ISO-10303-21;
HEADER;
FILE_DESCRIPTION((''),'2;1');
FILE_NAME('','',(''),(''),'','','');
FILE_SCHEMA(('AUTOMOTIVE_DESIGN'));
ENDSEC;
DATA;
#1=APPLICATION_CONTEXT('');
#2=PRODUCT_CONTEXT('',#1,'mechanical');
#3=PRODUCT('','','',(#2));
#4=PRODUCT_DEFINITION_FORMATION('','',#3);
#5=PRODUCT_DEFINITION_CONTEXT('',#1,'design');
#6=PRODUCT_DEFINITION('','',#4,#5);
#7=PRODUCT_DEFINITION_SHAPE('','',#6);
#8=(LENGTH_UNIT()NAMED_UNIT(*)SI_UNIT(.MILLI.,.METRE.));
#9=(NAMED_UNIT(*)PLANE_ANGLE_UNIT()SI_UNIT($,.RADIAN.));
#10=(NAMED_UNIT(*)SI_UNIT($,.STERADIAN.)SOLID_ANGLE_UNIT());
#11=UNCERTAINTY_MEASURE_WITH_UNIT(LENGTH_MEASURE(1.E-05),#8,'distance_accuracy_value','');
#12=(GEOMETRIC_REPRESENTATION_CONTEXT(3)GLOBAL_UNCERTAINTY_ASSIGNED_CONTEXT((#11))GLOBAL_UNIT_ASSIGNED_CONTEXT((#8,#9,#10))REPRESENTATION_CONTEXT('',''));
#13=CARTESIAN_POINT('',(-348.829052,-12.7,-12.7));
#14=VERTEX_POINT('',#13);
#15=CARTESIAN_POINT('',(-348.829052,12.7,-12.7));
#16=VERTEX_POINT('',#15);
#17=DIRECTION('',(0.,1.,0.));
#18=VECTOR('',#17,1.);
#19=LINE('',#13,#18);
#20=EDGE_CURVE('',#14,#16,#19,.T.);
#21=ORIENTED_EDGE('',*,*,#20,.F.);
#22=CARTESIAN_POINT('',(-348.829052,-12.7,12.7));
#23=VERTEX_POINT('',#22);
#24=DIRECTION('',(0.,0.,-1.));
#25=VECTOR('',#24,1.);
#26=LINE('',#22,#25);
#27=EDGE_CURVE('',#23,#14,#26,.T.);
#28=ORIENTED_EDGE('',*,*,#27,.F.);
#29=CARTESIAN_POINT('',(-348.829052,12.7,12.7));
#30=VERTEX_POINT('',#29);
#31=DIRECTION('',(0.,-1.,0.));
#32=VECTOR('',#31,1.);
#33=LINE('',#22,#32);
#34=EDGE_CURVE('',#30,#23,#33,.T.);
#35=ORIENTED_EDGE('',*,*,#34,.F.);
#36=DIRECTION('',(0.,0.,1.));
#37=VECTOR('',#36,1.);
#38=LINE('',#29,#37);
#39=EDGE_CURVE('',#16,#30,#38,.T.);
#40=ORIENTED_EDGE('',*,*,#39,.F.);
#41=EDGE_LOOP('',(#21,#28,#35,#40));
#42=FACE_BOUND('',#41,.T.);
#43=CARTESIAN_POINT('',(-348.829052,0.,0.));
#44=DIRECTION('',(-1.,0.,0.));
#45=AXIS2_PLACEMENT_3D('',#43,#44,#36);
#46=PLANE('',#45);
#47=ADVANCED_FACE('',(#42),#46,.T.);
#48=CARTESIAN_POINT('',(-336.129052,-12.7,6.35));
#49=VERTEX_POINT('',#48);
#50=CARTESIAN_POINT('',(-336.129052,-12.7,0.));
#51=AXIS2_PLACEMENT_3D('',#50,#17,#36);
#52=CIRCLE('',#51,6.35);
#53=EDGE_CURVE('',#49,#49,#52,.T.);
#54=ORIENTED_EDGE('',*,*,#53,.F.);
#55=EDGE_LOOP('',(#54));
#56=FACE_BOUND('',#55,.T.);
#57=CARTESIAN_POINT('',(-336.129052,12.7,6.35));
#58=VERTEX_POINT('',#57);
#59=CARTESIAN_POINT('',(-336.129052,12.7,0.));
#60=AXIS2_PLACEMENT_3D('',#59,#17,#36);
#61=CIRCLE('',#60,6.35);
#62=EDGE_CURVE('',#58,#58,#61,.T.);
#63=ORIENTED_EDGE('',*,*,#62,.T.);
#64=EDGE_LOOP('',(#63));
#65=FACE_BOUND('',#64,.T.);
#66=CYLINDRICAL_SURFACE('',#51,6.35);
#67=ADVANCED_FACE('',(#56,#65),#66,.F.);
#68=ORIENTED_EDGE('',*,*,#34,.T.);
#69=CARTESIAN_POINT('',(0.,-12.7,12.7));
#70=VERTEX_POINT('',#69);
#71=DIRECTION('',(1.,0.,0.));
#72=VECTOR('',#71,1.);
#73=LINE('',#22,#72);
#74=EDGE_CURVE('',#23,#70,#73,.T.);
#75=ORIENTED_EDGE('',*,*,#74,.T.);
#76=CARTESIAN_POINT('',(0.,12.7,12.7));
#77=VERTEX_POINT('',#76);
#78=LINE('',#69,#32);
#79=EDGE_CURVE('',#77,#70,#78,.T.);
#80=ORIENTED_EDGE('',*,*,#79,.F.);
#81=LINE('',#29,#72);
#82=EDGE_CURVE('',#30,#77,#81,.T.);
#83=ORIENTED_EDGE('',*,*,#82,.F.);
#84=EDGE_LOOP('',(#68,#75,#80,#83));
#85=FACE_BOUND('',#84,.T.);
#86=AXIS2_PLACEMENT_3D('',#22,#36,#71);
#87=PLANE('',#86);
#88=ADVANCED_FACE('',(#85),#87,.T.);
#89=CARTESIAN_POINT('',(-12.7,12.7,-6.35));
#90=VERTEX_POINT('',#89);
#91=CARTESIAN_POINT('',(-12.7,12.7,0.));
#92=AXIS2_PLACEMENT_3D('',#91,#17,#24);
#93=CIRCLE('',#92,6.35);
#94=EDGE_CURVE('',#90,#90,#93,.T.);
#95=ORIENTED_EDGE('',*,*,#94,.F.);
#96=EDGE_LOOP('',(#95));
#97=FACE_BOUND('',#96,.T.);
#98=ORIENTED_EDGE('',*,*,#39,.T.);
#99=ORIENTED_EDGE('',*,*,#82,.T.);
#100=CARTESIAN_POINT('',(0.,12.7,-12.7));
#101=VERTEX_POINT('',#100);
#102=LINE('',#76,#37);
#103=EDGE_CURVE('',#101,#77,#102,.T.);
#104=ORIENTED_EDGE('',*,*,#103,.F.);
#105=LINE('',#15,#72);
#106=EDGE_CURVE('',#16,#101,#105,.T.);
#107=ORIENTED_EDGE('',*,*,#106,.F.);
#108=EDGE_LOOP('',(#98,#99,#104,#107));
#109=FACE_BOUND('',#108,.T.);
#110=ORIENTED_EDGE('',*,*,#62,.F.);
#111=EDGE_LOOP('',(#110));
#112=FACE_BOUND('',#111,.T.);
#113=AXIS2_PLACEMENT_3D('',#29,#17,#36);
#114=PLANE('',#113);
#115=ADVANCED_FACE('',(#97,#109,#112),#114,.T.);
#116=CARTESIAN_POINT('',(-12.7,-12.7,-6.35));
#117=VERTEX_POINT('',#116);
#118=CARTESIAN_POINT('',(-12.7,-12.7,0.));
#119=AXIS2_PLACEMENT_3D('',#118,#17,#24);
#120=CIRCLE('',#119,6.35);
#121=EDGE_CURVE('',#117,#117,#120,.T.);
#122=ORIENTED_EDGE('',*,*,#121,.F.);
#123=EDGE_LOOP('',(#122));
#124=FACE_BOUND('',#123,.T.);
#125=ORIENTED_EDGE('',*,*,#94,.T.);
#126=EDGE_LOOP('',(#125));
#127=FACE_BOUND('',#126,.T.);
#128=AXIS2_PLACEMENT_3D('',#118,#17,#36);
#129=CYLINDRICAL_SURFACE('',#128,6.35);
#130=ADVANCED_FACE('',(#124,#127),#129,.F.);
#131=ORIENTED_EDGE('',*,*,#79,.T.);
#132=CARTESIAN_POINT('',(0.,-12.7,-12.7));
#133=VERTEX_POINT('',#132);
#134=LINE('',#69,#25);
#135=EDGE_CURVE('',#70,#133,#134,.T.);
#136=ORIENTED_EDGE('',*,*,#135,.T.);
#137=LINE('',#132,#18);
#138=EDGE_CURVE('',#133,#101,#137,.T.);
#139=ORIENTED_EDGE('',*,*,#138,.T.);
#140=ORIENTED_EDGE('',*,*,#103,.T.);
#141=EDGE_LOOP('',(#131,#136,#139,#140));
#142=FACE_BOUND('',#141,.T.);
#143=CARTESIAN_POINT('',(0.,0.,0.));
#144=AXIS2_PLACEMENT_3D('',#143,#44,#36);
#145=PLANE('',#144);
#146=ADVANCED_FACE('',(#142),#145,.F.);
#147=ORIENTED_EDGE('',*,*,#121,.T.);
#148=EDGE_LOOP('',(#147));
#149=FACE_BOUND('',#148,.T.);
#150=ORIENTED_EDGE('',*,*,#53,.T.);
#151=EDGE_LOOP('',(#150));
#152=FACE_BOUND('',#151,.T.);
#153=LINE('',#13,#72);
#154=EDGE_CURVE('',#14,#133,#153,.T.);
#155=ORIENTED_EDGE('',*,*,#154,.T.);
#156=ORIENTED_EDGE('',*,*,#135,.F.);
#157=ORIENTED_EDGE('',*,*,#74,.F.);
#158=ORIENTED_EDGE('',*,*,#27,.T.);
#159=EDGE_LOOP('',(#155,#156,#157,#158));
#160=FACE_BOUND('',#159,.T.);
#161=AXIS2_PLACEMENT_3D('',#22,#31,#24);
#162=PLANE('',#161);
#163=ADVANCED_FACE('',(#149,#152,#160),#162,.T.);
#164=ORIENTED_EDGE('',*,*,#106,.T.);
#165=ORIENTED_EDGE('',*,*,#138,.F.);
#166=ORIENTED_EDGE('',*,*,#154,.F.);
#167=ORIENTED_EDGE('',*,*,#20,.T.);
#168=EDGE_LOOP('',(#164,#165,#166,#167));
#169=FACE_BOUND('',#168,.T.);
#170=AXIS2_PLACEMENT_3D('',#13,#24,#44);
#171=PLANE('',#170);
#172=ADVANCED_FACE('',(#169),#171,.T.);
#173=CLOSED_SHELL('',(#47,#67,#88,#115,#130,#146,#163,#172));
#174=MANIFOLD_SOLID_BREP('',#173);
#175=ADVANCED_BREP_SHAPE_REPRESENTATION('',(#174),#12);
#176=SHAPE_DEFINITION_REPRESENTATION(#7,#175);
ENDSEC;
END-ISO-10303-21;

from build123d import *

# Parameters (mm, degrees)
SKETCH1_W           = 25.4
SKETCH1_H           = 25.4
BOSS_EXTRUDE1_DEPTH = 348.829051578
SKETCH2_R           = 6.35
CUT_EXTRUDE1_DEPTH  = 26.4


with BuildPart() as part:
    # Sketch1 → Boss-Extrude1 (new body)
    with BuildSketch(Plane(origin=(0, 0, 0), x_dir=(0, 0, -1), z_dir=(1, 0, 0))):
        Rectangle(SKETCH1_W, SKETCH1_H)
    extrude(amount=-BOSS_EXTRUDE1_DEPTH)

    # Sketch2 → Cut-Extrude1 (cut, through all)
    with BuildSketch(Plane(origin=(0, 12.7, 0), x_dir=(1, 0, 0), z_dir=(0, 1, 0))):
        with Locations((-336.129051578, 0)):
            Circle(SKETCH2_R)
        with Locations((-12.7, 0)):
            Circle(SKETCH2_R)
    extrude(amount=-CUT_EXTRUDE1_DEPTH, mode=Mode.SUBTRACT)


solid = part.part
